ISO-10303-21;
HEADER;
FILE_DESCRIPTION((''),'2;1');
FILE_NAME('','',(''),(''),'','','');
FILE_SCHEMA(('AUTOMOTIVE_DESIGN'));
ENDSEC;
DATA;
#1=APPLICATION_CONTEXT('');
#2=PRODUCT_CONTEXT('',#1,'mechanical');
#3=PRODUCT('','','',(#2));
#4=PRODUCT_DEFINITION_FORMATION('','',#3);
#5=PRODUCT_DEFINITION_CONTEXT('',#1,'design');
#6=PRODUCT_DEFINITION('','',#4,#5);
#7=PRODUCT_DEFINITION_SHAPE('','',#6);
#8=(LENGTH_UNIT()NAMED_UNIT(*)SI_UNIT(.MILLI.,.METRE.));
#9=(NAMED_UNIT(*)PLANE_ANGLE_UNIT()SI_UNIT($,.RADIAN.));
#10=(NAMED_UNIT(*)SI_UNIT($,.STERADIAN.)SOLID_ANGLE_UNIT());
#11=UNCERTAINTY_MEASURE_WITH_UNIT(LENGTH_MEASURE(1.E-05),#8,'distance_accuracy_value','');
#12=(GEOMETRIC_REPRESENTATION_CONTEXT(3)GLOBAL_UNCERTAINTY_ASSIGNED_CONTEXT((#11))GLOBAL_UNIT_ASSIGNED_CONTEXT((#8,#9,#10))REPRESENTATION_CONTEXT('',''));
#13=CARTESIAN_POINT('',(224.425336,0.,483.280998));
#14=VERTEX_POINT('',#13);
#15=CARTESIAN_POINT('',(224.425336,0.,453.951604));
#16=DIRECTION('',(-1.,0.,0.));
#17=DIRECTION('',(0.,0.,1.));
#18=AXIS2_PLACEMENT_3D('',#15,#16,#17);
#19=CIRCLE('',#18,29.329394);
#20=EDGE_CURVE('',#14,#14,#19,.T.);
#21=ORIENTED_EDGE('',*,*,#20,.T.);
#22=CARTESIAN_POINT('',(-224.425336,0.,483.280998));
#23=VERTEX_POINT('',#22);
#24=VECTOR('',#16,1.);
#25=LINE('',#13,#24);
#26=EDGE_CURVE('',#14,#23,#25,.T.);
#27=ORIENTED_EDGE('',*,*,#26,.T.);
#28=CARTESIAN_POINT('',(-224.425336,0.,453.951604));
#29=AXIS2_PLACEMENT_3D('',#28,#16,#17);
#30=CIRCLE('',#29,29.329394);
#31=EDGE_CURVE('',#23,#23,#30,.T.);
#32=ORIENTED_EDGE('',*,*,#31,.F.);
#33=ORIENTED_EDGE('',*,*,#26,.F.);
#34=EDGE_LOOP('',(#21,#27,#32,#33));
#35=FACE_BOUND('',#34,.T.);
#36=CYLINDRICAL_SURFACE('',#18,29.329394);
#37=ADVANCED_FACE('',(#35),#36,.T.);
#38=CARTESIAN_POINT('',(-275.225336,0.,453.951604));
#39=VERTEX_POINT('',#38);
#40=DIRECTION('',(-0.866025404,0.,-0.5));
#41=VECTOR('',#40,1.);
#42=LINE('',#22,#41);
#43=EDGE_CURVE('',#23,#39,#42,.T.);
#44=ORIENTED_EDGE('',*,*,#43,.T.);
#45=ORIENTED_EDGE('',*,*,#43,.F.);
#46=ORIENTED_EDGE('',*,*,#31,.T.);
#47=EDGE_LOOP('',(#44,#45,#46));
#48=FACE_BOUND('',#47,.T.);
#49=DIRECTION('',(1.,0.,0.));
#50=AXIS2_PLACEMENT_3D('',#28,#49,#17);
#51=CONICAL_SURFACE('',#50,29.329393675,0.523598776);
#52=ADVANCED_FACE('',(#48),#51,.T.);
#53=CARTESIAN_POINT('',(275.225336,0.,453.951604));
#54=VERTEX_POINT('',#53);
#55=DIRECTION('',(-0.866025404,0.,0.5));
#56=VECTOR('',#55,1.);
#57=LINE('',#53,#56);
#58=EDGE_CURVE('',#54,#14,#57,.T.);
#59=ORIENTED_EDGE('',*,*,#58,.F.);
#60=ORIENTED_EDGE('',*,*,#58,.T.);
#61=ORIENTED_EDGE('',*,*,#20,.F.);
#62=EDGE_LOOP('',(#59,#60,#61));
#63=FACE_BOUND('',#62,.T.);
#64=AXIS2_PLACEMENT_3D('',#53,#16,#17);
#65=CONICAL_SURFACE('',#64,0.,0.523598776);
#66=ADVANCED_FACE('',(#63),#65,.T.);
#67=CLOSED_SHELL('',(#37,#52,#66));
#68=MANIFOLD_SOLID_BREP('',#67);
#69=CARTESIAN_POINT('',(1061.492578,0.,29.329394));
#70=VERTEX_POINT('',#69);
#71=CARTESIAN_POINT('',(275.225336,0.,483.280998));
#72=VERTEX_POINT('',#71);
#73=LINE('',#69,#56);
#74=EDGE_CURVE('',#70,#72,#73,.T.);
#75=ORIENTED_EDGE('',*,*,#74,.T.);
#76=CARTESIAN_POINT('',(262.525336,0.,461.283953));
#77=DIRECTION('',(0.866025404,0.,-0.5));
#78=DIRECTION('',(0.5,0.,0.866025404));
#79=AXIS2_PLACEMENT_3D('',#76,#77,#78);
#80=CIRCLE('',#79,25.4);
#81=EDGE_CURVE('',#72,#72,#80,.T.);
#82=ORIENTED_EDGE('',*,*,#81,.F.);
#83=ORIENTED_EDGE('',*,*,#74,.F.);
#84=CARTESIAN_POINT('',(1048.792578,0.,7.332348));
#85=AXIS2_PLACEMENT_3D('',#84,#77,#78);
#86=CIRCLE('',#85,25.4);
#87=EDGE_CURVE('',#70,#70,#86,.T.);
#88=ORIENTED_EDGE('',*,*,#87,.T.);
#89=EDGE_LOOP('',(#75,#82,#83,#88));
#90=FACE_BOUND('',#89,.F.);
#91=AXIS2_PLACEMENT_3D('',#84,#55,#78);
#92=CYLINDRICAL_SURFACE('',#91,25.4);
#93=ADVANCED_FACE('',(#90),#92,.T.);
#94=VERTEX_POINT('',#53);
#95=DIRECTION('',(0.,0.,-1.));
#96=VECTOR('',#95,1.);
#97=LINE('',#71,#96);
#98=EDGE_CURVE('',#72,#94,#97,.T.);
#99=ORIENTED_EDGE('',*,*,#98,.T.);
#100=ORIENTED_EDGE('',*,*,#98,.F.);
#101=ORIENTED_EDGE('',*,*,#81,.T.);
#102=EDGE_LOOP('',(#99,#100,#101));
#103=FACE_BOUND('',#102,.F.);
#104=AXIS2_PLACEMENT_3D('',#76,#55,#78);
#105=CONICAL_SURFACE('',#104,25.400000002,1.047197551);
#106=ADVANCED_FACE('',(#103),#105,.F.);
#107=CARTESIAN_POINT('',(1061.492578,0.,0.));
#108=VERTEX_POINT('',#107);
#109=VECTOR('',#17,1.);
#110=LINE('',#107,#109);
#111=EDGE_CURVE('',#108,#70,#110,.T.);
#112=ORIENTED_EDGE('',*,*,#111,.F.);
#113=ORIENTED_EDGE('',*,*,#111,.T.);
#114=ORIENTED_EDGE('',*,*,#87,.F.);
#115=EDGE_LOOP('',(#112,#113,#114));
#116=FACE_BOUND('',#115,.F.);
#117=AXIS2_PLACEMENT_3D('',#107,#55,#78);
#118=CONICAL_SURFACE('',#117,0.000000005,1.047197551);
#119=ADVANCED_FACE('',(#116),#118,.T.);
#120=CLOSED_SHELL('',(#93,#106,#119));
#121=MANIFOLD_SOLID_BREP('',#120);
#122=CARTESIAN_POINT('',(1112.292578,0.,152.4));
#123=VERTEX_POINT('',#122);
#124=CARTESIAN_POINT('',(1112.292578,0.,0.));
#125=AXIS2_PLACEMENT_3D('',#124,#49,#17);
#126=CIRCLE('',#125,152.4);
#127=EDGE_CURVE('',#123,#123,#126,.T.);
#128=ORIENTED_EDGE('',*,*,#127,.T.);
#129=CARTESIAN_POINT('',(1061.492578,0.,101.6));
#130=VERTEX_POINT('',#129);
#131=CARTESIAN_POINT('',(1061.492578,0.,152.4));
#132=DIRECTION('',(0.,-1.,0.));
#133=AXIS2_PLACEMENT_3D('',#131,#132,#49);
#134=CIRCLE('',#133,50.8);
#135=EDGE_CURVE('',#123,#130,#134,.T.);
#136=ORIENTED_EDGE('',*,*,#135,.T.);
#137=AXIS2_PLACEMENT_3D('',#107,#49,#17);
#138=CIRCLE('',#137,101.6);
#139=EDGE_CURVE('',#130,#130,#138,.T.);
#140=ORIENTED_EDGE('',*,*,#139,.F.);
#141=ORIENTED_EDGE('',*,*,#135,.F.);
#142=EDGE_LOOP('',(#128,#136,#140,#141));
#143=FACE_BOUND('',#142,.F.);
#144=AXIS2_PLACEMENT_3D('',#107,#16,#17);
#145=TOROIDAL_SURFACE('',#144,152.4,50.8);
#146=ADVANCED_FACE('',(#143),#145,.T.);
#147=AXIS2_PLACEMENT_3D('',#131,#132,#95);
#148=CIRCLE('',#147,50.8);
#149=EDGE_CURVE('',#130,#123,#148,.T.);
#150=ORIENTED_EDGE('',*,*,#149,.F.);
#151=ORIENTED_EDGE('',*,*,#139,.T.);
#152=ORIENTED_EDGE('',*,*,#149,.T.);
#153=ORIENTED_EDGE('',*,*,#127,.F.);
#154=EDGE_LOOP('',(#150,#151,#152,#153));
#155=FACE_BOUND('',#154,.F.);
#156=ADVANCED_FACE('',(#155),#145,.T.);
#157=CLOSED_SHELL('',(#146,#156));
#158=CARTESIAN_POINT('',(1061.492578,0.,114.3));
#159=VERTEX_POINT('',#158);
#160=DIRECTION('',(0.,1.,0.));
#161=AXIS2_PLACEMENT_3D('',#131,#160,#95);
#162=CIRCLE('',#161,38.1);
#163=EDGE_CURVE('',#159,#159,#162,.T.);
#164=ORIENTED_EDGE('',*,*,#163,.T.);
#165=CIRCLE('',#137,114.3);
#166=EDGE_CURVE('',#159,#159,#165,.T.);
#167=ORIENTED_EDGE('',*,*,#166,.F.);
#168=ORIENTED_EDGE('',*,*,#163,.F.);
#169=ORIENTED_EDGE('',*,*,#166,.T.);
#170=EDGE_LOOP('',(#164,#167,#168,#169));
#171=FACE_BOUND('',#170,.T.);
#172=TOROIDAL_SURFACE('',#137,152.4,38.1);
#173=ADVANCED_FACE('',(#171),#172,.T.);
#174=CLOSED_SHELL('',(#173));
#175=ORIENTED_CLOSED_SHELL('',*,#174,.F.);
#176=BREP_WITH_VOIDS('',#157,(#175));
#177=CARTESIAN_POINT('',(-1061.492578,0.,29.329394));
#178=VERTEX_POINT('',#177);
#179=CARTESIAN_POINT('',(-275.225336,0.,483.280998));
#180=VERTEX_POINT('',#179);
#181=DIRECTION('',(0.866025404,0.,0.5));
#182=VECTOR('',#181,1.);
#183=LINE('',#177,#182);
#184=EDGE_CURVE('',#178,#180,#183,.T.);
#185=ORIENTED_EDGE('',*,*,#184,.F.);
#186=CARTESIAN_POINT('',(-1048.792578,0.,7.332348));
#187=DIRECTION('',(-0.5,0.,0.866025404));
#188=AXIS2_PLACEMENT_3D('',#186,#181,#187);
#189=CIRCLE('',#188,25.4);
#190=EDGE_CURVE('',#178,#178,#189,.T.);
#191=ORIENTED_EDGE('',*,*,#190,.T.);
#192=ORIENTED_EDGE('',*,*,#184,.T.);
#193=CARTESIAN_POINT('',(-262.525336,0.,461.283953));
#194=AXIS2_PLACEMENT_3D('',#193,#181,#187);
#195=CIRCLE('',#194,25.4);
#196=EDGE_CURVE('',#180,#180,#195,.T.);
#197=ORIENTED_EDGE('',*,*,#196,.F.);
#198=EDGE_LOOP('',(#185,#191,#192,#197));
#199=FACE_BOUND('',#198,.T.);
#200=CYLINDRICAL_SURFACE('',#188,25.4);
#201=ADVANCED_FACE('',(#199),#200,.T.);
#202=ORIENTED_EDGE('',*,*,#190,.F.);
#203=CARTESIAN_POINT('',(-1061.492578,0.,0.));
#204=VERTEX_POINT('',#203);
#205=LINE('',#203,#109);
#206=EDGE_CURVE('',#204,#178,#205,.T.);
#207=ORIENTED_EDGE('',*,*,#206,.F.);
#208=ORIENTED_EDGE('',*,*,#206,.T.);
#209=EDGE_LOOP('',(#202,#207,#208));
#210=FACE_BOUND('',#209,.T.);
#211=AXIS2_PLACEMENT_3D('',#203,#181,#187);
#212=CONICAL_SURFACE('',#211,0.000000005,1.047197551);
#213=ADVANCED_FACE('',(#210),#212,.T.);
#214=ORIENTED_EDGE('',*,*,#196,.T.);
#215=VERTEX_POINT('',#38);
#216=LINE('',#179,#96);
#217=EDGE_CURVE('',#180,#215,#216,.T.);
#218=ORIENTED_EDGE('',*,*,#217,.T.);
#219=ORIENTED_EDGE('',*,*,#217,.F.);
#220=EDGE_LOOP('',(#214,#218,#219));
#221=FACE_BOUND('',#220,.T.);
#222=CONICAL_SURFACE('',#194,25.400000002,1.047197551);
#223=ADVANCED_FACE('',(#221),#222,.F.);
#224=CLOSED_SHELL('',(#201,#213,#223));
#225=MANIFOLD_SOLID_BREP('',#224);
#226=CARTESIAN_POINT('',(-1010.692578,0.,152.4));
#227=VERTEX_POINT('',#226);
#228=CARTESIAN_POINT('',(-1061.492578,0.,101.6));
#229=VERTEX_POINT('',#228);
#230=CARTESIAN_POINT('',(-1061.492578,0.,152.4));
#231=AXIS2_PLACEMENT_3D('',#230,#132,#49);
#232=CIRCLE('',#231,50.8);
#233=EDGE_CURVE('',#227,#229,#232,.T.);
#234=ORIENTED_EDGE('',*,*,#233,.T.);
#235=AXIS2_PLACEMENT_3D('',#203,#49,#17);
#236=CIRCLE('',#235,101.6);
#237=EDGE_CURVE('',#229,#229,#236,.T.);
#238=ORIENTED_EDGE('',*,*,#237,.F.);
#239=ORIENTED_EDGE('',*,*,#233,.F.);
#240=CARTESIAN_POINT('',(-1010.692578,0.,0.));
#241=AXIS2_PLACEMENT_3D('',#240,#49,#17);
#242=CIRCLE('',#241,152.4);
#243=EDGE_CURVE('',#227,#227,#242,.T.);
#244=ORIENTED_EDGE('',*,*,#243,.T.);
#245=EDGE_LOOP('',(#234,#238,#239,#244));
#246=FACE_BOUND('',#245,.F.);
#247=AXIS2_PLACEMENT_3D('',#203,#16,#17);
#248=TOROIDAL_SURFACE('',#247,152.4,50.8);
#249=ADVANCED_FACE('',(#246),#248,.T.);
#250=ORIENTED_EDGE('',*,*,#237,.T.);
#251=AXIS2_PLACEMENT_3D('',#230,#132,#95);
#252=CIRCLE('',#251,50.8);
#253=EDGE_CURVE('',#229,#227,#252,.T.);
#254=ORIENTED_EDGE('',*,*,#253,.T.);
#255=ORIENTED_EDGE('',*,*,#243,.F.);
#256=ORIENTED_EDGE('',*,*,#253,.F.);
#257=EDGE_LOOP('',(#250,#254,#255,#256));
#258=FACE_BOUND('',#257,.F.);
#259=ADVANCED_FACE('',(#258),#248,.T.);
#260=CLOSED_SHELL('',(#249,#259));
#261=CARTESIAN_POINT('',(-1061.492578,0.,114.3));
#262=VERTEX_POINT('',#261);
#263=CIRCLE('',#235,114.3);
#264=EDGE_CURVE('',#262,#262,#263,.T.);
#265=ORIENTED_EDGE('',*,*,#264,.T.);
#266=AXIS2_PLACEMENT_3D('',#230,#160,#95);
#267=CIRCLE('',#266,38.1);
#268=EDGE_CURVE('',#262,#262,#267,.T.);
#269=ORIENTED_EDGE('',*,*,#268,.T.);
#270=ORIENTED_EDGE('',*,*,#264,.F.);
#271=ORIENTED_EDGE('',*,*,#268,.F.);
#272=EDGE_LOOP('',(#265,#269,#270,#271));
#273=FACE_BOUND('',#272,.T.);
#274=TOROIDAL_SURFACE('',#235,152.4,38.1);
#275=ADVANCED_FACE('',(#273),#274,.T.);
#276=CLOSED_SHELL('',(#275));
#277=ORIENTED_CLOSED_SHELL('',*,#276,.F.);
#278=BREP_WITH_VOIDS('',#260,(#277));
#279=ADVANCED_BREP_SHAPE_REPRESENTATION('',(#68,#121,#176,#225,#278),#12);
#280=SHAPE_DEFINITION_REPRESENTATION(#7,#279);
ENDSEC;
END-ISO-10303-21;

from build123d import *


with BuildPart() as f1:
    # F0 (on Front) → F1 (revolve)
    with BuildSketch(Plane.XZ):
        with BuildLine():
            ThreePointArc((-1010.6925780806, 152.4), (-1097.4136025649, 188.3210244843), (-1061.4925780806, 101.6))
            ThreePointArc((-1061.4925780806, 101.6), (-1025.5715535963, 116.4789755157), (-1010.6925780806, 152.4))
        make_face()
        with BuildLine():
            ThreePointArc((-1023.3925780806, 152.4), (-1034.5518097174, 125.4592316368), (-1061.4925780806, 114.3))
            ThreePointArc((-1061.4925780806, 114.3), (-1088.4333464438, 179.3407683632), (-1023.3925780806, 152.4))
        make_face(mode=Mode.SUBTRACT)
    revolve(axis=Axis((0, 0, 0), (1, 0, 0)))


with BuildPart() as f1b:
    # F0 (on Front) → F1, piece 2 (revolve)
    with BuildSketch(Plane.XZ):
        with BuildLine():
            ThreePointArc((1112.2925780806, 152.4), (1025.5715535963, 188.3210244843), (1061.4925780806, 101.6))
            ThreePointArc((1061.4925780806, 101.6), (1097.4136025649, 116.4789755157), (1112.2925780806, 152.4))
        make_face()
        with BuildLine():
            ThreePointArc((1099.5925780806, 152.4), (1088.4333464438, 125.4592316368), (1061.4925780806, 114.3))
            ThreePointArc((1061.4925780806, 114.3), (1034.5518097174, 179.3407683632), (1099.5925780806, 152.4))
        make_face(mode=Mode.SUBTRACT)
    revolve(axis=Axis((0, 0, 0), (1, 0, 0)))


with BuildPart() as f2:
    # F0 (on Front) → F2 (revolve)
    with BuildSketch(Plane.XZ):
        Polygon((275.225335611, 483.2809977696), (275.225335611, 453.9516040948), (1061.4925780806, 0), (1061.4925780806, 29.3293936748), align=None)
    revolve(axis=Axis((530.7462890403, 0, 306.4265128488), (0.8660254038, 0, -0.5)))


with BuildPart() as f3_1:
    # F3: instance of F2
    add(f2.part.mirror(Plane.YZ))


with BuildPart() as f4:
    # F0 (on Front) → F4 (revolve)
    with BuildSketch(Plane.XZ):
        Polygon((-224.425335611, 483.2809977696), (-275.225335611, 453.9516040948), (275.225335611, 453.9516040948), (224.425335611, 483.2809977696), align=None)
    revolve(axis=Axis((0, 0, 453.9516040948), (-1, 0, 0)))


solid = Compound([f1.part, f1b.part, f2.part, f3_1.part, f4.part])
